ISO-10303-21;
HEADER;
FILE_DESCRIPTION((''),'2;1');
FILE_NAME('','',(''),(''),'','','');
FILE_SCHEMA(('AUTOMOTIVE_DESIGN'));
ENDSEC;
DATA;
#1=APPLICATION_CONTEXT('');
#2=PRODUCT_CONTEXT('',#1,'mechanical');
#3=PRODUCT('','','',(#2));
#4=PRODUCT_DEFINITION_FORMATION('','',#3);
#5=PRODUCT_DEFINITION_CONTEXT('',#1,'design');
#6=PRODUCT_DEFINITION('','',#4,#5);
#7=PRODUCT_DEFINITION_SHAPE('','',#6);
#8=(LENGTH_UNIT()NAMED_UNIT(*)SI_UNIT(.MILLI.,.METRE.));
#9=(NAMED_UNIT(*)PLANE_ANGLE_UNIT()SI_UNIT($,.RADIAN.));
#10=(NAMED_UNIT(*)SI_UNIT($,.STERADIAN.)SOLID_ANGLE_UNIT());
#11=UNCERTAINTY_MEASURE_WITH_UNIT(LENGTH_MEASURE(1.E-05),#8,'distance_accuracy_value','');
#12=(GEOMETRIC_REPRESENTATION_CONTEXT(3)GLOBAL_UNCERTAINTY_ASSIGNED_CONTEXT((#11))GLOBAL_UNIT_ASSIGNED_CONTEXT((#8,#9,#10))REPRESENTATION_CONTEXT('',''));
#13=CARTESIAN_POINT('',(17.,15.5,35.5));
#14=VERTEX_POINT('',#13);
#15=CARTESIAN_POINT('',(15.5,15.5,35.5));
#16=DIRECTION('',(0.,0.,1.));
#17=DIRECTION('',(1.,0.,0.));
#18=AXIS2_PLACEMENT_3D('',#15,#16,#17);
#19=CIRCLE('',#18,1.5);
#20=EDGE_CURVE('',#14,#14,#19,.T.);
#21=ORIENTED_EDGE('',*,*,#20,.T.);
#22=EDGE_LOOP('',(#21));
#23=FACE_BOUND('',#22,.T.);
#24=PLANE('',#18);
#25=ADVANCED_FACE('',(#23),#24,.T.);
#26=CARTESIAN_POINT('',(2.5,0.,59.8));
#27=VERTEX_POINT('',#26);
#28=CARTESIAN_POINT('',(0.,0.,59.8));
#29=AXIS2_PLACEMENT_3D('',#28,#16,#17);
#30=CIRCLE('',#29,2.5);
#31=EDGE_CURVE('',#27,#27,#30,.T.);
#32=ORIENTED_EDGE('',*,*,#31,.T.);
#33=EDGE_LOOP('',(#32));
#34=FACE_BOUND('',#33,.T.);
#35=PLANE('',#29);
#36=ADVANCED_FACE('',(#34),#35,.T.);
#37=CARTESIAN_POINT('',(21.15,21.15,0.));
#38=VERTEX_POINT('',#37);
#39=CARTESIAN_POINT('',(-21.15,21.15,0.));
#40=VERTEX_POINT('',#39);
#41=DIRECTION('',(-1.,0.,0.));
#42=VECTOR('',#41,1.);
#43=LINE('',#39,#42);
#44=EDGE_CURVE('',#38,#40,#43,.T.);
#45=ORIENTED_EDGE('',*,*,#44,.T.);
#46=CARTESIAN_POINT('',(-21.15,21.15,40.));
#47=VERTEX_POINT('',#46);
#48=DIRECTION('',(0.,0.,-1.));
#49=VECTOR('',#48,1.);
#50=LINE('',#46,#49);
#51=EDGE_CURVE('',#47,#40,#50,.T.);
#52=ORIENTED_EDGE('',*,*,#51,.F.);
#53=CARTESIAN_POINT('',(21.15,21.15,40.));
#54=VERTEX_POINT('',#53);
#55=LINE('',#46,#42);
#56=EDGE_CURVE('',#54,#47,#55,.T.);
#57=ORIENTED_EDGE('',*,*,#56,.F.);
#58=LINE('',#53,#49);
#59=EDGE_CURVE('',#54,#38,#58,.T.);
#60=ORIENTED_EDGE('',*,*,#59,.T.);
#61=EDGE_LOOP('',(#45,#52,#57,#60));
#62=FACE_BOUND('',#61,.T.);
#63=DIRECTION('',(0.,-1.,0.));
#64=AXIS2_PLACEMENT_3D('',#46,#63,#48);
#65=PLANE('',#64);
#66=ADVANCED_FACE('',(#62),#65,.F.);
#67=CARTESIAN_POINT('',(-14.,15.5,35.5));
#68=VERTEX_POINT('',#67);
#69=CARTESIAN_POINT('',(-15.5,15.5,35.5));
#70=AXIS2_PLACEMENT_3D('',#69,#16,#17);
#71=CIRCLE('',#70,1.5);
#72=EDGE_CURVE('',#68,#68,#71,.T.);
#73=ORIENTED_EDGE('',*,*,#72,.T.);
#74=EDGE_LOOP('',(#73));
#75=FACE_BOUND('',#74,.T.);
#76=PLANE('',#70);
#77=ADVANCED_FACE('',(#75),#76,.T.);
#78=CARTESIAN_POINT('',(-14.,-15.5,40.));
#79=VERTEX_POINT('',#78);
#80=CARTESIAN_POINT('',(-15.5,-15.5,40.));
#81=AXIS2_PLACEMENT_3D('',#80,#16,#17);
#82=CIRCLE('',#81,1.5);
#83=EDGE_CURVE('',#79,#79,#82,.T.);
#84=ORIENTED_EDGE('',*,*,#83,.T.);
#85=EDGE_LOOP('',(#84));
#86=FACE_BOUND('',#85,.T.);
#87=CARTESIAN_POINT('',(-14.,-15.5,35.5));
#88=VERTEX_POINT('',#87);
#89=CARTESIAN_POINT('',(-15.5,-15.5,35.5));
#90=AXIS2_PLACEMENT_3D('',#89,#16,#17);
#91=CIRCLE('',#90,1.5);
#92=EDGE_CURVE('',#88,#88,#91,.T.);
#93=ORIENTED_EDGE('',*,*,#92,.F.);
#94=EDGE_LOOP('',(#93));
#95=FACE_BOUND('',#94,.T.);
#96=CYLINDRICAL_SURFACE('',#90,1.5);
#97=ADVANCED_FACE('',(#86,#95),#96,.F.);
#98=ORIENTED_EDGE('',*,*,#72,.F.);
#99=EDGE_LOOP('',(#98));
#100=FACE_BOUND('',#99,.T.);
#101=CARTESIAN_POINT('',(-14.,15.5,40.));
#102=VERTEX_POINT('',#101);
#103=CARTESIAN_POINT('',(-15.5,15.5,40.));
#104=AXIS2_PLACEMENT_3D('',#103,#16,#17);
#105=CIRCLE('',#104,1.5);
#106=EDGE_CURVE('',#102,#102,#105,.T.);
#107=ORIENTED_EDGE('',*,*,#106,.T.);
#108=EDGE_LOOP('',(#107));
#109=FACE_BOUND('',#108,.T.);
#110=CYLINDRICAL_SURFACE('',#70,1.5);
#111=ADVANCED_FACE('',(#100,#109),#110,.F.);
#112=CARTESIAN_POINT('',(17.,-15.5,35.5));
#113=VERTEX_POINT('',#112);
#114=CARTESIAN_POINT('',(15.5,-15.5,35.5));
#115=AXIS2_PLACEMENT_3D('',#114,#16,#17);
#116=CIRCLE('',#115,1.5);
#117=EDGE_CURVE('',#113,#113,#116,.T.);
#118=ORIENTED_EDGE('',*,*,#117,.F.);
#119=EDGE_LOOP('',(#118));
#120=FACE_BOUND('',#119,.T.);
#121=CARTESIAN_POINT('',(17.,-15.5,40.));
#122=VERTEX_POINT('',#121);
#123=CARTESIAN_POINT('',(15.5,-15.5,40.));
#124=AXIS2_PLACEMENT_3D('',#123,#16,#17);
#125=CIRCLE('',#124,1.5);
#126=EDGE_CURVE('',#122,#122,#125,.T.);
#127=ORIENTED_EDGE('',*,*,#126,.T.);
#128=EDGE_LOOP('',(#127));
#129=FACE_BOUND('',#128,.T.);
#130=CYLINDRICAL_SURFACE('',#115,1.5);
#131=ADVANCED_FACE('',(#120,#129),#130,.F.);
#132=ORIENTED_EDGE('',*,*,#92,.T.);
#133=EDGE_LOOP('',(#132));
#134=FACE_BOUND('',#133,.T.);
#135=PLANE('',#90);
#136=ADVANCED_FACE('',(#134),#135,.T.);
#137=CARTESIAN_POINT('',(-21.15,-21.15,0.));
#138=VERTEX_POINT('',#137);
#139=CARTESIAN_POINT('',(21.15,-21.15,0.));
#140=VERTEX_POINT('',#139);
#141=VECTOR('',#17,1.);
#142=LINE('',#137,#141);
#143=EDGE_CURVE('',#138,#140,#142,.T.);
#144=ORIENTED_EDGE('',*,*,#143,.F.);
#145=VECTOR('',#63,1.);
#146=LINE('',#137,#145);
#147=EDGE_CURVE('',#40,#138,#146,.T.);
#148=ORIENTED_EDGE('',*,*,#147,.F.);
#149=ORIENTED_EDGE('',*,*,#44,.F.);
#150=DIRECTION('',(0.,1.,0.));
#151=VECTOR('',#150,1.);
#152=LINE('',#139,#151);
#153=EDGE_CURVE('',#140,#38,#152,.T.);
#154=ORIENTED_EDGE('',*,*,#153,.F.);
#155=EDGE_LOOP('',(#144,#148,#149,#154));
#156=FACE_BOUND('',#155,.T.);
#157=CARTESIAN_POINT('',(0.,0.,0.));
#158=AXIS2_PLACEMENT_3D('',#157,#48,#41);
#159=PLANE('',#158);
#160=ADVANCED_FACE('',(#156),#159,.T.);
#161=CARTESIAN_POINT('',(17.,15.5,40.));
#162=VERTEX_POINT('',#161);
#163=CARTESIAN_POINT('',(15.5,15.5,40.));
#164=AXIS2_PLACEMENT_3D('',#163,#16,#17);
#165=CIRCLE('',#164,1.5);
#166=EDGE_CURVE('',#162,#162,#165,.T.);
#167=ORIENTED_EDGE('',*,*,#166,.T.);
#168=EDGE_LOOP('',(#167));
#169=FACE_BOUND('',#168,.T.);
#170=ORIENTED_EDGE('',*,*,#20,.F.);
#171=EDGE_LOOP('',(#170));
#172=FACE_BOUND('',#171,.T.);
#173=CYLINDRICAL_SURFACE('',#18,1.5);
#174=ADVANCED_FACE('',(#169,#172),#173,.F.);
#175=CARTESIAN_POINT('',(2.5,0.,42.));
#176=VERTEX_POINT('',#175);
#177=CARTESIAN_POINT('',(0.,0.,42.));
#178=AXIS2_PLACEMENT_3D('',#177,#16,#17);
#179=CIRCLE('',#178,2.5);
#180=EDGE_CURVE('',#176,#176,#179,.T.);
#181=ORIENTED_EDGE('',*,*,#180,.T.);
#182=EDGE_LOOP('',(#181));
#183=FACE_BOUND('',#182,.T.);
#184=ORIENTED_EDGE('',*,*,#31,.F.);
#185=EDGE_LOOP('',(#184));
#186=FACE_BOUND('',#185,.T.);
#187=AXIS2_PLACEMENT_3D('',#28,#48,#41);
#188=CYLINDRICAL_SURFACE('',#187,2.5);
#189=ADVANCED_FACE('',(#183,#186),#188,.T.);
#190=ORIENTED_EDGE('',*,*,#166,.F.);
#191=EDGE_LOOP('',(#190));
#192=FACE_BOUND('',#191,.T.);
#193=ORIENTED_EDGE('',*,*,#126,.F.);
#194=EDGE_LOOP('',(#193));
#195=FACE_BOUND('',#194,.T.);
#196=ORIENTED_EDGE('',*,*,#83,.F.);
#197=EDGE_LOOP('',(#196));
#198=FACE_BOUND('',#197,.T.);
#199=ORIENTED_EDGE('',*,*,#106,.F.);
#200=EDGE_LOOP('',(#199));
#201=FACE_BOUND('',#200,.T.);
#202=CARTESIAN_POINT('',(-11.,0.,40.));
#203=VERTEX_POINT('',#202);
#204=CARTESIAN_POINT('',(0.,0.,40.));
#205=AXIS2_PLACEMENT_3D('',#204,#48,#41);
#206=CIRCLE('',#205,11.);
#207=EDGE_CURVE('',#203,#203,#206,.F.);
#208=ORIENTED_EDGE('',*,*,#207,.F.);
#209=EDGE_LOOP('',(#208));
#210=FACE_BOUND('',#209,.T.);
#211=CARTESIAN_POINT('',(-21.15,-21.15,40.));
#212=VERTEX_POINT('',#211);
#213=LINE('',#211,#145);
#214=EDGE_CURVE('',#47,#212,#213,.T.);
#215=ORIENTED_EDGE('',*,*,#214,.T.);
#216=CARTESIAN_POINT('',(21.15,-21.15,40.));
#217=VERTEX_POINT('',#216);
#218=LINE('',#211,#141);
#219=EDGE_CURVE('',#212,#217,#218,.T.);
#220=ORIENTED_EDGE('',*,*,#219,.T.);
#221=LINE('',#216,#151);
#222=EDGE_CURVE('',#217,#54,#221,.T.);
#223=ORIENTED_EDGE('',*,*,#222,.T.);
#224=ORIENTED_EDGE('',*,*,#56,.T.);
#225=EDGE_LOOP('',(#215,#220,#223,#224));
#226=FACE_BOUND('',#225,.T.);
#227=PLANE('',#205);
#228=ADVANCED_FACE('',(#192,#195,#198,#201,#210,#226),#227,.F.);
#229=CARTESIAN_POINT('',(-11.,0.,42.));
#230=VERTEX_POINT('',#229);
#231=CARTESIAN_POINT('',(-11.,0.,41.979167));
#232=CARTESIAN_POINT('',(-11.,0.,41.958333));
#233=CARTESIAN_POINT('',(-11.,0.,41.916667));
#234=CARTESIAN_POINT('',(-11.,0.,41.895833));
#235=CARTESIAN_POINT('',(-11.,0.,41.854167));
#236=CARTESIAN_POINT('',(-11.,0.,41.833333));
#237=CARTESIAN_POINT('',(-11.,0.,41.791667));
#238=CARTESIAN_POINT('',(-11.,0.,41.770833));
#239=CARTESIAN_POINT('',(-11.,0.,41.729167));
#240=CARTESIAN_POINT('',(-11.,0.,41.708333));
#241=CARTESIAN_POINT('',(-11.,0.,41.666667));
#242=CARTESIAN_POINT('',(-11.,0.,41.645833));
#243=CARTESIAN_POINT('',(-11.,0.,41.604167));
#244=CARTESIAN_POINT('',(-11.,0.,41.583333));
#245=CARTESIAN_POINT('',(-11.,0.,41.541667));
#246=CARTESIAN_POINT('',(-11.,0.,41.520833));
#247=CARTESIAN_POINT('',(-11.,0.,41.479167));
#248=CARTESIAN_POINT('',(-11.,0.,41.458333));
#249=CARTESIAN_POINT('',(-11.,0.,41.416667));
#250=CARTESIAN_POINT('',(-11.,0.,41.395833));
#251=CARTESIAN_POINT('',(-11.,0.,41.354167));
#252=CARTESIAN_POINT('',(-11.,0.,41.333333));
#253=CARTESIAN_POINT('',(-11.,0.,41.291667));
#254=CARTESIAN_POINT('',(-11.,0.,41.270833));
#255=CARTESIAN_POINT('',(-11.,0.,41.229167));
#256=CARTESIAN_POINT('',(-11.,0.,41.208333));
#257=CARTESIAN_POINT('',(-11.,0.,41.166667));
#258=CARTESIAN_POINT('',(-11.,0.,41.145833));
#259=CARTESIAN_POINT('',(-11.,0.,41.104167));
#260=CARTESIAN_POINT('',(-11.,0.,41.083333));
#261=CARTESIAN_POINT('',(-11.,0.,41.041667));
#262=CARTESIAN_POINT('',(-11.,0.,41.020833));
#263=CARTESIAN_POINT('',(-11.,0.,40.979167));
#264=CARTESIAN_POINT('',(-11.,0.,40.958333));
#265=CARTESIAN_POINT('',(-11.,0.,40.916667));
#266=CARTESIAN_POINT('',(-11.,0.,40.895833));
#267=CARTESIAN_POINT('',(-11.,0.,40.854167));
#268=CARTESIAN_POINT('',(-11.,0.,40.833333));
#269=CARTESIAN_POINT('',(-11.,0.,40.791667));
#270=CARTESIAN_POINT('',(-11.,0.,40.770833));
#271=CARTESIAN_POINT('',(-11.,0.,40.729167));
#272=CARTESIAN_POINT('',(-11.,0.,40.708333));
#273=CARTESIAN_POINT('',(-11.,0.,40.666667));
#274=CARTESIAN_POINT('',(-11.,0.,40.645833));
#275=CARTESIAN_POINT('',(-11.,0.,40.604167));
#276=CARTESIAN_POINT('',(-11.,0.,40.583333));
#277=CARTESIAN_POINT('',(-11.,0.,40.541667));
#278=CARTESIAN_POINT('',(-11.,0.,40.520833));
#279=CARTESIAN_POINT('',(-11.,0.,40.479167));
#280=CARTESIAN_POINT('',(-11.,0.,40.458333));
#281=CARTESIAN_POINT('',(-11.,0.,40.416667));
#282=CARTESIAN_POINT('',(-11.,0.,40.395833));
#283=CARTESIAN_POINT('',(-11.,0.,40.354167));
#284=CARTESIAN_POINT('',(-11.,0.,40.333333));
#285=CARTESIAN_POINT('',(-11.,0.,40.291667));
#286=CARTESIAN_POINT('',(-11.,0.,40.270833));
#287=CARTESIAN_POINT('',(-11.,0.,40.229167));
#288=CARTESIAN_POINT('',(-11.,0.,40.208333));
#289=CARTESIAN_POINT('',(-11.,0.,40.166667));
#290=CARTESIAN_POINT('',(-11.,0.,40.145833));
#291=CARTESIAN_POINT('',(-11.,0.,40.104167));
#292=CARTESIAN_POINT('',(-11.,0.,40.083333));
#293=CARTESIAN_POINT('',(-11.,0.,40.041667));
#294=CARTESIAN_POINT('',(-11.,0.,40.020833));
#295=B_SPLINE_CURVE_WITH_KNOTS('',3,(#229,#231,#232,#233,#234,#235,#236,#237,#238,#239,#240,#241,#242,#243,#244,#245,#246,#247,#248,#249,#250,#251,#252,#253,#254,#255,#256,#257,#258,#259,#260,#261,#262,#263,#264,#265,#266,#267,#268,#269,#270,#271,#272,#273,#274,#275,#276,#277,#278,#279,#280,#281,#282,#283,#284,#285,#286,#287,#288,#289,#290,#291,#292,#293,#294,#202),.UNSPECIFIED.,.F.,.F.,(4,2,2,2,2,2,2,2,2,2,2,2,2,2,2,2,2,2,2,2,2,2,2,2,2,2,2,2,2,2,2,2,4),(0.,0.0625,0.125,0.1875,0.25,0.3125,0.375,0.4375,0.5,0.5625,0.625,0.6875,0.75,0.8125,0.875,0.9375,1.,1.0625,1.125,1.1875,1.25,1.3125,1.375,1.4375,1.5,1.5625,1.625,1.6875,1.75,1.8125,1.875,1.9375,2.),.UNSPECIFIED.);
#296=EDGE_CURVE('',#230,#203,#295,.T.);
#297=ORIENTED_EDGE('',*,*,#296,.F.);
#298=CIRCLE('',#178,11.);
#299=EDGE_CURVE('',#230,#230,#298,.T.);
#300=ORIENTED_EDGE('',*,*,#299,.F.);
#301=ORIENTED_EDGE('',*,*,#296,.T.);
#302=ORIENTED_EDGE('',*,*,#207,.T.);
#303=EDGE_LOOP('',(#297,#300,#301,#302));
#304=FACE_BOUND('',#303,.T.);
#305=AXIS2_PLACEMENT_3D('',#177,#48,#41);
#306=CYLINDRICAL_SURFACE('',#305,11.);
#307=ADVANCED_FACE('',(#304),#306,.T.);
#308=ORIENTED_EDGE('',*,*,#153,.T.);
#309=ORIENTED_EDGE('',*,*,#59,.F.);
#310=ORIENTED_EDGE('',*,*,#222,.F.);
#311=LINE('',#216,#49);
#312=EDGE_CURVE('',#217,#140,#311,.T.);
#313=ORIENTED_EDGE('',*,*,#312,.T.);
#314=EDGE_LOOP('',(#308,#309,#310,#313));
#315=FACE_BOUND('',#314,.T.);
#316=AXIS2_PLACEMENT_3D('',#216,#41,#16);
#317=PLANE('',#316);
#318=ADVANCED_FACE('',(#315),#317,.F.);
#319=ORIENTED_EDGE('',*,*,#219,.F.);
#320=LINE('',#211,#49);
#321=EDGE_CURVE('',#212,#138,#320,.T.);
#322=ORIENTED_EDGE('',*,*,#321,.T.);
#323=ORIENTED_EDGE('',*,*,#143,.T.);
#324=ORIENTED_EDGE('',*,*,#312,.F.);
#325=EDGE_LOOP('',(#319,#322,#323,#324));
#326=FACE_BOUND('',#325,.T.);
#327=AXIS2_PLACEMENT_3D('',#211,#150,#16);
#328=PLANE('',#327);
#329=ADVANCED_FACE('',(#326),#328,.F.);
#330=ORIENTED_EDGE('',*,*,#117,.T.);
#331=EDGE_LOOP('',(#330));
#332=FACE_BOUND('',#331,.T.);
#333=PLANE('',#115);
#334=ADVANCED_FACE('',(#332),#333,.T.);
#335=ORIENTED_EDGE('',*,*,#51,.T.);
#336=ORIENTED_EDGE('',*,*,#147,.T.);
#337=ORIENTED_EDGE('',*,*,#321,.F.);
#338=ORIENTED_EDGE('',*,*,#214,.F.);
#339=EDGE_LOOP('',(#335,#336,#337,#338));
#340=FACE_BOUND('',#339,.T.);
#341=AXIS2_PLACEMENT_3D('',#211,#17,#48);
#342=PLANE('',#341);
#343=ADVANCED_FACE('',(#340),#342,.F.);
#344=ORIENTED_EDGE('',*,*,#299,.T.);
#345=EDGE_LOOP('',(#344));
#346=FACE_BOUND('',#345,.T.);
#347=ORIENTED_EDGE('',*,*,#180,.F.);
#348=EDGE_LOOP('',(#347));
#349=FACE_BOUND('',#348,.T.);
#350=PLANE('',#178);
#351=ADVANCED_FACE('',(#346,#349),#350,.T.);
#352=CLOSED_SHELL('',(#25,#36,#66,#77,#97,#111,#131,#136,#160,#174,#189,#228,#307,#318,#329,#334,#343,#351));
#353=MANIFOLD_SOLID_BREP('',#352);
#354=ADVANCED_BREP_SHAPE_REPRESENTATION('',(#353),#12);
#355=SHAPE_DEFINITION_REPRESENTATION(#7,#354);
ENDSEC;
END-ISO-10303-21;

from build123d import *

# Parameters (mm, degrees)
SKETCH_1_W          = 42.3
SKETCH_1_H          = 42.3
EXTRUDE_1533_DEPTH  = 40
SKETCH_2_R          = 2.5
EXTRUDE_1588_DEPTH  = 59.8
SKETCH_3_R          = 11
EXTRUDE_1635_DEPTH  = 42
CUT_EXTRUDE_START   = 40
SKETCH_5_R          = 1.5
CUT_EXTRUDE_3_DEPTH = 4.5


with BuildPart() as part:
    # Эскиз1 → Extrude 1533 (new body)
    with BuildSketch(Plane.XY):
        Rectangle(SKETCH_1_W, SKETCH_1_H)
    extrude(amount=EXTRUDE_1533_DEPTH)

    # Эскиз2 → Extrude 1588 (add)
    with BuildSketch(Plane.XY):
        with Locations(Location((0, 0, 0), (0, 0, 180))):
            Circle(SKETCH_2_R)
    extrude(amount=EXTRUDE_1588_DEPTH)

    # Эскиз3 → Extrude 1635 (add)
    with BuildSketch(Plane.XY):
        with Locations(Location((0, 0, 0), (0, 0, 180))):
            Circle(SKETCH_3_R)
    extrude(amount=EXTRUDE_1635_DEPTH)

    # Эскиз5 → Крепеж_М3_ПРЕДВ (cut)
    with BuildSketch(Plane.XY.offset(CUT_EXTRUDE_START)):
        with Locations((-15.5, -15.5)):
            Circle(SKETCH_5_R)
        with Locations((-15.5, 15.5)):
            Circle(SKETCH_5_R)
        with Locations((15.5, -15.5)):
            Circle(SKETCH_5_R)
        with Locations((15.5, 15.5)):
            Circle(SKETCH_5_R)
    extrude(amount=-CUT_EXTRUDE_3_DEPTH, mode=Mode.SUBTRACT)


solid = part.part
